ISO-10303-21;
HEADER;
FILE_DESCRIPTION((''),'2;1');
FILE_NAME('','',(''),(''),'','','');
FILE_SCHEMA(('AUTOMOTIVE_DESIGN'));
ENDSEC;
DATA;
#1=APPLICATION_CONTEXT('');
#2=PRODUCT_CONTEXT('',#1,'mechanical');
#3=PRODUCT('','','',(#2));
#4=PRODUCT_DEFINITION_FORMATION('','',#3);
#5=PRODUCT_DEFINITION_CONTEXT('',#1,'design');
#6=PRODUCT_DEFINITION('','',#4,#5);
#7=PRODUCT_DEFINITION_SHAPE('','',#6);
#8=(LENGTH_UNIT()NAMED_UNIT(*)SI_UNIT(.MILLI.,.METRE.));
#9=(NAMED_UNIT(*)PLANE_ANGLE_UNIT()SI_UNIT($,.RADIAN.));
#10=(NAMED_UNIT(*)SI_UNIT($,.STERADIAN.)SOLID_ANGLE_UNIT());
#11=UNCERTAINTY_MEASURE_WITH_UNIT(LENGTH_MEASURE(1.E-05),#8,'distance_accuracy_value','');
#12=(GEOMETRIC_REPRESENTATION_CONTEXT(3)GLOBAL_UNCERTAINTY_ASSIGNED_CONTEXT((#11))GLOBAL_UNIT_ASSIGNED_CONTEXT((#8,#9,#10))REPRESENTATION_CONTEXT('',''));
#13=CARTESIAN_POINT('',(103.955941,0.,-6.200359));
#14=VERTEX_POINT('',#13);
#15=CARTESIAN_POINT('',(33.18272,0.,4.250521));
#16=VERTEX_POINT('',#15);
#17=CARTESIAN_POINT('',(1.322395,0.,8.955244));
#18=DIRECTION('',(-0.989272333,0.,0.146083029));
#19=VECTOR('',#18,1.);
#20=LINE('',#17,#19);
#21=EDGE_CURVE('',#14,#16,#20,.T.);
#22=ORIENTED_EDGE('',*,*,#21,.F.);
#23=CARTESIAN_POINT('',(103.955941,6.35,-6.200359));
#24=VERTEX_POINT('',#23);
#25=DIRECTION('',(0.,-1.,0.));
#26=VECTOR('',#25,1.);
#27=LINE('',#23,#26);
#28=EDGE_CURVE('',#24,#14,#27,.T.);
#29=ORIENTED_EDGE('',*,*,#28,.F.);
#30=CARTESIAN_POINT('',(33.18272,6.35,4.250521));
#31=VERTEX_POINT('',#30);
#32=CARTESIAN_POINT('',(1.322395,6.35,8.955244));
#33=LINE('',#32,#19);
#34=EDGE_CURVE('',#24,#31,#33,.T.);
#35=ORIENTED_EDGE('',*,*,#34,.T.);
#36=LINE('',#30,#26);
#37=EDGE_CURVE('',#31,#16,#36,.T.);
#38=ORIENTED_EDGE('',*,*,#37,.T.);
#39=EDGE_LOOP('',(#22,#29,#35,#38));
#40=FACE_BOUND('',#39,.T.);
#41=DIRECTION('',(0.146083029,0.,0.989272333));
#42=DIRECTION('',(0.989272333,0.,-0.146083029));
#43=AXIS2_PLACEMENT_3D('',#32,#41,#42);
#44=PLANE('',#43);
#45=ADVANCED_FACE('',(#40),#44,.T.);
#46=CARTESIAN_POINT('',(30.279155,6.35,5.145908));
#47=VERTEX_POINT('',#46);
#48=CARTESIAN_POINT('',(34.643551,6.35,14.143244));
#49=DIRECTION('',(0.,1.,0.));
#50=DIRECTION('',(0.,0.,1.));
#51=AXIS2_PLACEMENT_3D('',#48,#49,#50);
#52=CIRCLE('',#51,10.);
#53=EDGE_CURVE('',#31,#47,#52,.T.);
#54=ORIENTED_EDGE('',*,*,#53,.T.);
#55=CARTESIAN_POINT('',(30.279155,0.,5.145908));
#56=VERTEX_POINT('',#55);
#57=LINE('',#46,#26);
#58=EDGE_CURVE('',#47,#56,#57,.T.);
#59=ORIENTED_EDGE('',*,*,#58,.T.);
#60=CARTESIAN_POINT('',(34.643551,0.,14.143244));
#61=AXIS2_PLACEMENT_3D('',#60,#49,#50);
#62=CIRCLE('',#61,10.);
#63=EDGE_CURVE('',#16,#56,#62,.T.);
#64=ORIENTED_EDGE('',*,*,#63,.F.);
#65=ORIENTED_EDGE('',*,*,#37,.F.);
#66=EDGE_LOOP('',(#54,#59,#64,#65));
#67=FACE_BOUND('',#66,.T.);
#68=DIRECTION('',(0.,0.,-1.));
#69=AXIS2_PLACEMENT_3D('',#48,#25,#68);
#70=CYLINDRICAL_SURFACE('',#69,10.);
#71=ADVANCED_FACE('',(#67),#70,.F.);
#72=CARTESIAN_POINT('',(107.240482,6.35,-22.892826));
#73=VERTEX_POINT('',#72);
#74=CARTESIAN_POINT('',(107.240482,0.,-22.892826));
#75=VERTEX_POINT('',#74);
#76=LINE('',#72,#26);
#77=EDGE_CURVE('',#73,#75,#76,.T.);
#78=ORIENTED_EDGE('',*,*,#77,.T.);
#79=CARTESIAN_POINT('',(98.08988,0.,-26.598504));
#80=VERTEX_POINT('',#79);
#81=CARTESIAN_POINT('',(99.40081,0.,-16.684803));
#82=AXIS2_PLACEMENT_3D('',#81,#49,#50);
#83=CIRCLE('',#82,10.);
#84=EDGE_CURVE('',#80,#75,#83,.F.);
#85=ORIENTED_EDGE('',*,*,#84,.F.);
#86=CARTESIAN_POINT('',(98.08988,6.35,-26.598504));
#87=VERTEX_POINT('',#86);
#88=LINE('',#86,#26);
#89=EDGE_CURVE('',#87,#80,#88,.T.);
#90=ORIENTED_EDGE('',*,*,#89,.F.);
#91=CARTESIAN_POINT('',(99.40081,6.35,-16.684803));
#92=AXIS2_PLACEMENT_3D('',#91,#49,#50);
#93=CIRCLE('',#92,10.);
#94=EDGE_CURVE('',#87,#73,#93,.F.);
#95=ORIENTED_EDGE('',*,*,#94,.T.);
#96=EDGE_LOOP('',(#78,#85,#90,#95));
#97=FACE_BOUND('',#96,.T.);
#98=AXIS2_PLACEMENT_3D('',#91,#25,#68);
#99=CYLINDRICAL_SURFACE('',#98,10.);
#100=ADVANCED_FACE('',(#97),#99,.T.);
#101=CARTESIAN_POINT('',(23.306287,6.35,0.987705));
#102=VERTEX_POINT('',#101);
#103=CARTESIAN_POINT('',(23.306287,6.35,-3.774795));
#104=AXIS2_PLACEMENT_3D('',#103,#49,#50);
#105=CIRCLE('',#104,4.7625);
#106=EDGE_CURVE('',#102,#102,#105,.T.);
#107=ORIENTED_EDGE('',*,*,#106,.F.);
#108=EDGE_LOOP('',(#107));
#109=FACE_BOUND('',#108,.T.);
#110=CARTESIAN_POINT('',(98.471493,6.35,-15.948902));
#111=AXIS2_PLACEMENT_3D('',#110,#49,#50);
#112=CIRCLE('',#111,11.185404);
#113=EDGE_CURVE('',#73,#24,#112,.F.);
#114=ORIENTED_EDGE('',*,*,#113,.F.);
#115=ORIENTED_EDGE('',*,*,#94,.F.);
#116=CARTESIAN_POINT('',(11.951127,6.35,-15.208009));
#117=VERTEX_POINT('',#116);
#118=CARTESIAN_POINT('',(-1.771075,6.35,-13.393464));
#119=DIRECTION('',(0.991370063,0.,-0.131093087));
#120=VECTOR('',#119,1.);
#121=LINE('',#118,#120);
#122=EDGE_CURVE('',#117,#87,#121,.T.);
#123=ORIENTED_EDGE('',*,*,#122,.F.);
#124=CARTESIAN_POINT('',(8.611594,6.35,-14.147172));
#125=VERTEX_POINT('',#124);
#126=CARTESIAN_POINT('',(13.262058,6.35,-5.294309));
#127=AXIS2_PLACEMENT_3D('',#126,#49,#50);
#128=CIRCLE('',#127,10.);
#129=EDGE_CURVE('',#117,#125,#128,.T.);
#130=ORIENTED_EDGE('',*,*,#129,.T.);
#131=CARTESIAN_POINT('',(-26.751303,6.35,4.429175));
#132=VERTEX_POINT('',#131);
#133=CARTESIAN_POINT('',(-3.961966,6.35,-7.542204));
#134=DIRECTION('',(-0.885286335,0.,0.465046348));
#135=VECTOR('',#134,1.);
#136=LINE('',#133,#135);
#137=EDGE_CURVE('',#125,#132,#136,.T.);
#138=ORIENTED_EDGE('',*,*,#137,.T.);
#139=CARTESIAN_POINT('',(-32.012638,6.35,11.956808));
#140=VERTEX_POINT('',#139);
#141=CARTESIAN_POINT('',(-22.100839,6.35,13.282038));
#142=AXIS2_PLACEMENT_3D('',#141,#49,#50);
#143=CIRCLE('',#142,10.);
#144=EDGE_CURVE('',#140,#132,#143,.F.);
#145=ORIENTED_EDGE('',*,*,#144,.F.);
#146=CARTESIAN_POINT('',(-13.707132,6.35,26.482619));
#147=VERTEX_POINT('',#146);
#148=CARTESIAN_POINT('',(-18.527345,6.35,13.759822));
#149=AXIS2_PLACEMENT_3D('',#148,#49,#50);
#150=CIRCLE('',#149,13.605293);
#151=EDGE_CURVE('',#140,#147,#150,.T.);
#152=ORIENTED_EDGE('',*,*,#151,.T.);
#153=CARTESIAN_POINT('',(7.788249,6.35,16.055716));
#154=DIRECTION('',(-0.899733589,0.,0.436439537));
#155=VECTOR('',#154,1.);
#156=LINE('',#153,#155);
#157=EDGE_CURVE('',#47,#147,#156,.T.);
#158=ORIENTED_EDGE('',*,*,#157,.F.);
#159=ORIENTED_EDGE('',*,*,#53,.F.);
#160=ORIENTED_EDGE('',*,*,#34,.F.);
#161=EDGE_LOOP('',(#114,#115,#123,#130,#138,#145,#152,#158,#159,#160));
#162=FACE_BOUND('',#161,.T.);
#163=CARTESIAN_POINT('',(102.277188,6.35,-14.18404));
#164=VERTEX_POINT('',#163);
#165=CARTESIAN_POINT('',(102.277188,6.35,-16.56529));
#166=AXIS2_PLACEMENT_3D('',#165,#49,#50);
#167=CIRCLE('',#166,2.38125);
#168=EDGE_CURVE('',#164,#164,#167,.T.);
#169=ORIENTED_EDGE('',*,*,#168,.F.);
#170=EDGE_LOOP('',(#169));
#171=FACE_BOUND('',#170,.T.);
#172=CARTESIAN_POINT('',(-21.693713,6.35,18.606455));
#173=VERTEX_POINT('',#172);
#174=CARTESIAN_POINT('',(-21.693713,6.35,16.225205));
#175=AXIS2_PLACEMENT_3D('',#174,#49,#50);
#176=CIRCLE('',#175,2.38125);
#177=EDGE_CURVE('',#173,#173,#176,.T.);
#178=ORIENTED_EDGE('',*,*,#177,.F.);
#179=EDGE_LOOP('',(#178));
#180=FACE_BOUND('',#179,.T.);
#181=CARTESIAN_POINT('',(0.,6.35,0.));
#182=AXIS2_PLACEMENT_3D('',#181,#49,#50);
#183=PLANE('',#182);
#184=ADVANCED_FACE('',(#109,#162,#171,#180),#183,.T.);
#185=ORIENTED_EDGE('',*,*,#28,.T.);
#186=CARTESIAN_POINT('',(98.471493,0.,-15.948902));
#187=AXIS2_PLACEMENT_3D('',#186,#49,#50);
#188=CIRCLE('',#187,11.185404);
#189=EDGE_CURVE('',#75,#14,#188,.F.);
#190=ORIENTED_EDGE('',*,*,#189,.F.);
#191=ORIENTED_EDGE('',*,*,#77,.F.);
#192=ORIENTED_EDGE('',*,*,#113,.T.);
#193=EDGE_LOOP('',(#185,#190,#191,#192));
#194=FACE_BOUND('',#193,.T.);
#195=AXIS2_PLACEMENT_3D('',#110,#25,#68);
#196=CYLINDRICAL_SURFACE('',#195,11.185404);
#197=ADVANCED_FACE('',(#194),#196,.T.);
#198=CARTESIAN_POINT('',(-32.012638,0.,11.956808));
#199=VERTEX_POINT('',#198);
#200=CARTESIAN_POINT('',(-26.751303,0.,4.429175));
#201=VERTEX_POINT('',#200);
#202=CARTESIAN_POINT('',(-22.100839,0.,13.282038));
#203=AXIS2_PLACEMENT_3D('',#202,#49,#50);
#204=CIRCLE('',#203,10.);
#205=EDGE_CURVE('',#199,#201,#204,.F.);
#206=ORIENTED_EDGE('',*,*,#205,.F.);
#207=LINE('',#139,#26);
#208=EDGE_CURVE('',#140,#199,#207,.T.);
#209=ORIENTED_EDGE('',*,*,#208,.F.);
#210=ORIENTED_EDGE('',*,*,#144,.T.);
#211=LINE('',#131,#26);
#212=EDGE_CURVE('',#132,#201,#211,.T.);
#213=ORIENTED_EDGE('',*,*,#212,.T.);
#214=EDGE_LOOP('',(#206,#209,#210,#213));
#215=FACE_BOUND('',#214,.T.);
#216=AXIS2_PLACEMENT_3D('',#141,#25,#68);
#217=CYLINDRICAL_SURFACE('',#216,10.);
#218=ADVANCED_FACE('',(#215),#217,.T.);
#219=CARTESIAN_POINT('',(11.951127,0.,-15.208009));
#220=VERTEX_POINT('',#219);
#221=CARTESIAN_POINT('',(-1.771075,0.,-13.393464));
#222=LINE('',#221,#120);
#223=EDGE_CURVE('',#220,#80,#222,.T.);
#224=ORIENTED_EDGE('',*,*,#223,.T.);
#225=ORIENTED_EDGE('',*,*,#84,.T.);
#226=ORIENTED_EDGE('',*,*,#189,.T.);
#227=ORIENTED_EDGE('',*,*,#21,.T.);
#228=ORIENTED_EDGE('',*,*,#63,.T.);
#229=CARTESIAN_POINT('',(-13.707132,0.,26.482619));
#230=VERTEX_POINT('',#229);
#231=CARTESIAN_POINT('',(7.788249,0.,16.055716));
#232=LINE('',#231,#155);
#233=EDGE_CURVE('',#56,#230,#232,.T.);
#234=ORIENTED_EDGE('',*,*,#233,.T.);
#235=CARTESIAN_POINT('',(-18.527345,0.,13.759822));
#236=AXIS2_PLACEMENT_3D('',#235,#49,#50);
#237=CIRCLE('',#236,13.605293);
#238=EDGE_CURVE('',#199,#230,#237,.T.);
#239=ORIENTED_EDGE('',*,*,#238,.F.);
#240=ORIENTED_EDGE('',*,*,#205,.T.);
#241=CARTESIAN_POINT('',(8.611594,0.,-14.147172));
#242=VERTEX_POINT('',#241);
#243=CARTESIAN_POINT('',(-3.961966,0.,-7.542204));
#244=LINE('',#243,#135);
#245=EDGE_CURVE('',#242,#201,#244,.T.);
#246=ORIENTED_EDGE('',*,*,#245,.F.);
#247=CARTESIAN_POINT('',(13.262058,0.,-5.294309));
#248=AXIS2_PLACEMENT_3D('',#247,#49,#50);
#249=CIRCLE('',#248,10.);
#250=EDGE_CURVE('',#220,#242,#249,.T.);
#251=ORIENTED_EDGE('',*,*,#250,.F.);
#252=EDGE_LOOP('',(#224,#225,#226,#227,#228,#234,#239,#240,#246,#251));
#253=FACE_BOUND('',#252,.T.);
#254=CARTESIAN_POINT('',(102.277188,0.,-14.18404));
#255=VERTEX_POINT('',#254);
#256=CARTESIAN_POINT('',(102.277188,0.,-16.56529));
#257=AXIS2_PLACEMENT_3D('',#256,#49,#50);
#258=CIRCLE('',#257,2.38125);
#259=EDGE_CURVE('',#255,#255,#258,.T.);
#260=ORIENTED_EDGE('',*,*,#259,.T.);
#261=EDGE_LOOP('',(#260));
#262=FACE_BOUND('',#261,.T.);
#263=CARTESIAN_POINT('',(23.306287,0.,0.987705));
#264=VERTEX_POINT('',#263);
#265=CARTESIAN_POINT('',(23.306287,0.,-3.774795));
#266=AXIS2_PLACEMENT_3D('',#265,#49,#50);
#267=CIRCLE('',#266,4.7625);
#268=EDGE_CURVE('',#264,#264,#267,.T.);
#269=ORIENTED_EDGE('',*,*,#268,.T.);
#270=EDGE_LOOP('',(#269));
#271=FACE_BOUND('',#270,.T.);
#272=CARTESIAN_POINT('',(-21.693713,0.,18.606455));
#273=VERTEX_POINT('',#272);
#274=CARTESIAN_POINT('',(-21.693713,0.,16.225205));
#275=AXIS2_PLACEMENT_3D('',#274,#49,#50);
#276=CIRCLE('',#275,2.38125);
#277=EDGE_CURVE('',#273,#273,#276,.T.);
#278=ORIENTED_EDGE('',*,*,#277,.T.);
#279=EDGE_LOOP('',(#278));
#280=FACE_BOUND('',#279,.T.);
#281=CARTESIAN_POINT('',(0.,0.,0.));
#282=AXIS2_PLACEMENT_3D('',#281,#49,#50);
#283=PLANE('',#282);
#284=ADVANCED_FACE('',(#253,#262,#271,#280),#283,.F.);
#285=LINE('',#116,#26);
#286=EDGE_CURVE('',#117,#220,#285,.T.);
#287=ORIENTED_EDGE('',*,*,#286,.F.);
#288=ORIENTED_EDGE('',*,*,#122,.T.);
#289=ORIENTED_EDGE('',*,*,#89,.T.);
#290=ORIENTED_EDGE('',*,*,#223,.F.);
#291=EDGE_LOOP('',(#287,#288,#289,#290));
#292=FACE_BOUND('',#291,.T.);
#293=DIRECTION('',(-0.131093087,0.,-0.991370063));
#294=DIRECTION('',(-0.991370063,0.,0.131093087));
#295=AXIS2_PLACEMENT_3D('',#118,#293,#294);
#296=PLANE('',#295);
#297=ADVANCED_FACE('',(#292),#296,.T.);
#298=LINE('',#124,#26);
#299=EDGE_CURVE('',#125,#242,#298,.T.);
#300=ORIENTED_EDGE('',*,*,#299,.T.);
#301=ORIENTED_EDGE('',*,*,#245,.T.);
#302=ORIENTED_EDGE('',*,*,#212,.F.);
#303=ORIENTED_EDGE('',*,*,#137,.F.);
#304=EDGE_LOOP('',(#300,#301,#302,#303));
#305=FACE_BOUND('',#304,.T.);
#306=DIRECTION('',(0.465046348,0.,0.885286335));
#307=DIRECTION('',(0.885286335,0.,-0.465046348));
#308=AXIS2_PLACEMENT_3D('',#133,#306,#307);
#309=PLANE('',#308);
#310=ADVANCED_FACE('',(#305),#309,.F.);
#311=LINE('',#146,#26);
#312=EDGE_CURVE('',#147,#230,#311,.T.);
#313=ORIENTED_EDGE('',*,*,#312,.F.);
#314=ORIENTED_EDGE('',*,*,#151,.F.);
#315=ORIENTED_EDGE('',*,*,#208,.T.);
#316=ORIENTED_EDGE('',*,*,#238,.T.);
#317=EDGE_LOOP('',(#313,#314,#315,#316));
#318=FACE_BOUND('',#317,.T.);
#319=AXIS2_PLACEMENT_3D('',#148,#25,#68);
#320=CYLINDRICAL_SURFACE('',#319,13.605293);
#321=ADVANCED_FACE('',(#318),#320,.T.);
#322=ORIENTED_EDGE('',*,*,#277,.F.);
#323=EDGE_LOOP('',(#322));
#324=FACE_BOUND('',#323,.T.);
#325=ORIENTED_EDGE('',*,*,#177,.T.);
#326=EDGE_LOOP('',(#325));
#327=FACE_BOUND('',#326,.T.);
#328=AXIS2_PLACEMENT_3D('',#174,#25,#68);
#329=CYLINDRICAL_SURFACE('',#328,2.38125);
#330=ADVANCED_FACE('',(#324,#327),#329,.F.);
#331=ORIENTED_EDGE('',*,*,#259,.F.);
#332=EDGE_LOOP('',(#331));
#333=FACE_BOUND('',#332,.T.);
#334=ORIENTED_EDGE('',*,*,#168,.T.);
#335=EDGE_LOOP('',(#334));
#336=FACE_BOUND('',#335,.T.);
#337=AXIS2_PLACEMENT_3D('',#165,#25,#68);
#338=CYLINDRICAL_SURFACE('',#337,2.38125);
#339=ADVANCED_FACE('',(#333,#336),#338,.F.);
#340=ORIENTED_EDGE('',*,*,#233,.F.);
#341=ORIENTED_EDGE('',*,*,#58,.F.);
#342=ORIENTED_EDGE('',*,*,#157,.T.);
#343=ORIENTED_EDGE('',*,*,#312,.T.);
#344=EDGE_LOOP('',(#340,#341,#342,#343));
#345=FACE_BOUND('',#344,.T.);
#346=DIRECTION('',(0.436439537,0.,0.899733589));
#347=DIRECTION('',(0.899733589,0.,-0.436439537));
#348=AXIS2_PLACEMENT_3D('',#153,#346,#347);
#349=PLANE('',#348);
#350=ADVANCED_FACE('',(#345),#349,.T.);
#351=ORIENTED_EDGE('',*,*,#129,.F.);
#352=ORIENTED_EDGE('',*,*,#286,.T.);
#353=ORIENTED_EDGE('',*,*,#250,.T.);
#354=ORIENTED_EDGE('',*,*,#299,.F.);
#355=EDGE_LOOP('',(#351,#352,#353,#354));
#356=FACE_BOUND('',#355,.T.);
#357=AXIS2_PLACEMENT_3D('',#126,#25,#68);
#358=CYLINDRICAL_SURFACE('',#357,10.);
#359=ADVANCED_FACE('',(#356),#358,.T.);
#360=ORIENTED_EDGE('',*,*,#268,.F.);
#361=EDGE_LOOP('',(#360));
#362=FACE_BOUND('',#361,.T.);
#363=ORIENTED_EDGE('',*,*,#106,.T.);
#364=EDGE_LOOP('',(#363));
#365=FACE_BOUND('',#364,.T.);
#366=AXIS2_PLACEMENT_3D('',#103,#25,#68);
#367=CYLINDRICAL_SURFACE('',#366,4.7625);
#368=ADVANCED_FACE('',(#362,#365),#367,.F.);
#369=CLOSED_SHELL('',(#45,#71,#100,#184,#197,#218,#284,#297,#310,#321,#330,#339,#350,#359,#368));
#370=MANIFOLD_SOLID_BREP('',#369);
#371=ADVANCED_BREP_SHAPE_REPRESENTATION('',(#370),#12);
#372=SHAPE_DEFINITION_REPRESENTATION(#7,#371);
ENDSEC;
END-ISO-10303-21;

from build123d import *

# Parameters (mm, degrees)
CROQUIS1_R              = 2.38125
CROQUIS1_R_2            = 4.7625
SALIENTE_EXTRUIR1_DEPTH = 6.35


with BuildPart() as part:
    # Croquis1 → Saliente-Extruir1 (new body)
    with BuildSketch(Plane(origin=(0, 0, 0), x_dir=(1, 0, 0), z_dir=(0, 1, 0))):
        with BuildLine():
            Line((103.955940895, 6.200359073), (33.182720339, -4.250520887))
            ThreePointArc((33.182720339, -4.250520887), (31.696731466, -4.587290217), (30.279155254, -5.145908331))
            Line((30.279155254, -5.145908331), (-13.707132326, -26.482618703))
            ThreePointArc((-13.707132326, -26.482618703), (-26.984336102, -24.417368961), (-32.012638404, -11.956808276))
            ThreePointArc((-32.012638404, -11.956808276), (-30.297252372, -7.553267867), (-26.751302562, -4.429174828))
            Line((-26.751302562, -4.429174828), (8.61159414, 14.14717195))
            ThreePointArc((8.61159414, 14.14717195), (10.234533943, 14.825001148), (11.951126741, 15.208009235))
            Line((11.951126741, 15.208009235), (98.089879586, 26.598503543))
            ThreePointArc((98.089879586, 26.598503543), (103.154358957, 25.953614792), (107.240482188, 22.892825721))
            ThreePointArc((107.240482188, 22.892825721), (109.446452134, 13.78938225), (103.955940895, 6.200359073))
        make_face()
        with Locations(Location((102.277188424, 16.565289857, 0), (0, 0, 270))):
            Circle(CROQUIS1_R, mode=Mode.SUBTRACT)
        with Locations(Location((23.306287218, 3.774794841, 0), (0, 0, 270))):
            Circle(CROQUIS1_R_2, mode=Mode.SUBTRACT)
        with Locations(Location((-21.693712782, -16.225205159, 0), (0, 0, 270))):
            Circle(CROQUIS1_R, mode=Mode.SUBTRACT)
    extrude(amount=SALIENTE_EXTRUIR1_DEPTH)


solid = part.part
